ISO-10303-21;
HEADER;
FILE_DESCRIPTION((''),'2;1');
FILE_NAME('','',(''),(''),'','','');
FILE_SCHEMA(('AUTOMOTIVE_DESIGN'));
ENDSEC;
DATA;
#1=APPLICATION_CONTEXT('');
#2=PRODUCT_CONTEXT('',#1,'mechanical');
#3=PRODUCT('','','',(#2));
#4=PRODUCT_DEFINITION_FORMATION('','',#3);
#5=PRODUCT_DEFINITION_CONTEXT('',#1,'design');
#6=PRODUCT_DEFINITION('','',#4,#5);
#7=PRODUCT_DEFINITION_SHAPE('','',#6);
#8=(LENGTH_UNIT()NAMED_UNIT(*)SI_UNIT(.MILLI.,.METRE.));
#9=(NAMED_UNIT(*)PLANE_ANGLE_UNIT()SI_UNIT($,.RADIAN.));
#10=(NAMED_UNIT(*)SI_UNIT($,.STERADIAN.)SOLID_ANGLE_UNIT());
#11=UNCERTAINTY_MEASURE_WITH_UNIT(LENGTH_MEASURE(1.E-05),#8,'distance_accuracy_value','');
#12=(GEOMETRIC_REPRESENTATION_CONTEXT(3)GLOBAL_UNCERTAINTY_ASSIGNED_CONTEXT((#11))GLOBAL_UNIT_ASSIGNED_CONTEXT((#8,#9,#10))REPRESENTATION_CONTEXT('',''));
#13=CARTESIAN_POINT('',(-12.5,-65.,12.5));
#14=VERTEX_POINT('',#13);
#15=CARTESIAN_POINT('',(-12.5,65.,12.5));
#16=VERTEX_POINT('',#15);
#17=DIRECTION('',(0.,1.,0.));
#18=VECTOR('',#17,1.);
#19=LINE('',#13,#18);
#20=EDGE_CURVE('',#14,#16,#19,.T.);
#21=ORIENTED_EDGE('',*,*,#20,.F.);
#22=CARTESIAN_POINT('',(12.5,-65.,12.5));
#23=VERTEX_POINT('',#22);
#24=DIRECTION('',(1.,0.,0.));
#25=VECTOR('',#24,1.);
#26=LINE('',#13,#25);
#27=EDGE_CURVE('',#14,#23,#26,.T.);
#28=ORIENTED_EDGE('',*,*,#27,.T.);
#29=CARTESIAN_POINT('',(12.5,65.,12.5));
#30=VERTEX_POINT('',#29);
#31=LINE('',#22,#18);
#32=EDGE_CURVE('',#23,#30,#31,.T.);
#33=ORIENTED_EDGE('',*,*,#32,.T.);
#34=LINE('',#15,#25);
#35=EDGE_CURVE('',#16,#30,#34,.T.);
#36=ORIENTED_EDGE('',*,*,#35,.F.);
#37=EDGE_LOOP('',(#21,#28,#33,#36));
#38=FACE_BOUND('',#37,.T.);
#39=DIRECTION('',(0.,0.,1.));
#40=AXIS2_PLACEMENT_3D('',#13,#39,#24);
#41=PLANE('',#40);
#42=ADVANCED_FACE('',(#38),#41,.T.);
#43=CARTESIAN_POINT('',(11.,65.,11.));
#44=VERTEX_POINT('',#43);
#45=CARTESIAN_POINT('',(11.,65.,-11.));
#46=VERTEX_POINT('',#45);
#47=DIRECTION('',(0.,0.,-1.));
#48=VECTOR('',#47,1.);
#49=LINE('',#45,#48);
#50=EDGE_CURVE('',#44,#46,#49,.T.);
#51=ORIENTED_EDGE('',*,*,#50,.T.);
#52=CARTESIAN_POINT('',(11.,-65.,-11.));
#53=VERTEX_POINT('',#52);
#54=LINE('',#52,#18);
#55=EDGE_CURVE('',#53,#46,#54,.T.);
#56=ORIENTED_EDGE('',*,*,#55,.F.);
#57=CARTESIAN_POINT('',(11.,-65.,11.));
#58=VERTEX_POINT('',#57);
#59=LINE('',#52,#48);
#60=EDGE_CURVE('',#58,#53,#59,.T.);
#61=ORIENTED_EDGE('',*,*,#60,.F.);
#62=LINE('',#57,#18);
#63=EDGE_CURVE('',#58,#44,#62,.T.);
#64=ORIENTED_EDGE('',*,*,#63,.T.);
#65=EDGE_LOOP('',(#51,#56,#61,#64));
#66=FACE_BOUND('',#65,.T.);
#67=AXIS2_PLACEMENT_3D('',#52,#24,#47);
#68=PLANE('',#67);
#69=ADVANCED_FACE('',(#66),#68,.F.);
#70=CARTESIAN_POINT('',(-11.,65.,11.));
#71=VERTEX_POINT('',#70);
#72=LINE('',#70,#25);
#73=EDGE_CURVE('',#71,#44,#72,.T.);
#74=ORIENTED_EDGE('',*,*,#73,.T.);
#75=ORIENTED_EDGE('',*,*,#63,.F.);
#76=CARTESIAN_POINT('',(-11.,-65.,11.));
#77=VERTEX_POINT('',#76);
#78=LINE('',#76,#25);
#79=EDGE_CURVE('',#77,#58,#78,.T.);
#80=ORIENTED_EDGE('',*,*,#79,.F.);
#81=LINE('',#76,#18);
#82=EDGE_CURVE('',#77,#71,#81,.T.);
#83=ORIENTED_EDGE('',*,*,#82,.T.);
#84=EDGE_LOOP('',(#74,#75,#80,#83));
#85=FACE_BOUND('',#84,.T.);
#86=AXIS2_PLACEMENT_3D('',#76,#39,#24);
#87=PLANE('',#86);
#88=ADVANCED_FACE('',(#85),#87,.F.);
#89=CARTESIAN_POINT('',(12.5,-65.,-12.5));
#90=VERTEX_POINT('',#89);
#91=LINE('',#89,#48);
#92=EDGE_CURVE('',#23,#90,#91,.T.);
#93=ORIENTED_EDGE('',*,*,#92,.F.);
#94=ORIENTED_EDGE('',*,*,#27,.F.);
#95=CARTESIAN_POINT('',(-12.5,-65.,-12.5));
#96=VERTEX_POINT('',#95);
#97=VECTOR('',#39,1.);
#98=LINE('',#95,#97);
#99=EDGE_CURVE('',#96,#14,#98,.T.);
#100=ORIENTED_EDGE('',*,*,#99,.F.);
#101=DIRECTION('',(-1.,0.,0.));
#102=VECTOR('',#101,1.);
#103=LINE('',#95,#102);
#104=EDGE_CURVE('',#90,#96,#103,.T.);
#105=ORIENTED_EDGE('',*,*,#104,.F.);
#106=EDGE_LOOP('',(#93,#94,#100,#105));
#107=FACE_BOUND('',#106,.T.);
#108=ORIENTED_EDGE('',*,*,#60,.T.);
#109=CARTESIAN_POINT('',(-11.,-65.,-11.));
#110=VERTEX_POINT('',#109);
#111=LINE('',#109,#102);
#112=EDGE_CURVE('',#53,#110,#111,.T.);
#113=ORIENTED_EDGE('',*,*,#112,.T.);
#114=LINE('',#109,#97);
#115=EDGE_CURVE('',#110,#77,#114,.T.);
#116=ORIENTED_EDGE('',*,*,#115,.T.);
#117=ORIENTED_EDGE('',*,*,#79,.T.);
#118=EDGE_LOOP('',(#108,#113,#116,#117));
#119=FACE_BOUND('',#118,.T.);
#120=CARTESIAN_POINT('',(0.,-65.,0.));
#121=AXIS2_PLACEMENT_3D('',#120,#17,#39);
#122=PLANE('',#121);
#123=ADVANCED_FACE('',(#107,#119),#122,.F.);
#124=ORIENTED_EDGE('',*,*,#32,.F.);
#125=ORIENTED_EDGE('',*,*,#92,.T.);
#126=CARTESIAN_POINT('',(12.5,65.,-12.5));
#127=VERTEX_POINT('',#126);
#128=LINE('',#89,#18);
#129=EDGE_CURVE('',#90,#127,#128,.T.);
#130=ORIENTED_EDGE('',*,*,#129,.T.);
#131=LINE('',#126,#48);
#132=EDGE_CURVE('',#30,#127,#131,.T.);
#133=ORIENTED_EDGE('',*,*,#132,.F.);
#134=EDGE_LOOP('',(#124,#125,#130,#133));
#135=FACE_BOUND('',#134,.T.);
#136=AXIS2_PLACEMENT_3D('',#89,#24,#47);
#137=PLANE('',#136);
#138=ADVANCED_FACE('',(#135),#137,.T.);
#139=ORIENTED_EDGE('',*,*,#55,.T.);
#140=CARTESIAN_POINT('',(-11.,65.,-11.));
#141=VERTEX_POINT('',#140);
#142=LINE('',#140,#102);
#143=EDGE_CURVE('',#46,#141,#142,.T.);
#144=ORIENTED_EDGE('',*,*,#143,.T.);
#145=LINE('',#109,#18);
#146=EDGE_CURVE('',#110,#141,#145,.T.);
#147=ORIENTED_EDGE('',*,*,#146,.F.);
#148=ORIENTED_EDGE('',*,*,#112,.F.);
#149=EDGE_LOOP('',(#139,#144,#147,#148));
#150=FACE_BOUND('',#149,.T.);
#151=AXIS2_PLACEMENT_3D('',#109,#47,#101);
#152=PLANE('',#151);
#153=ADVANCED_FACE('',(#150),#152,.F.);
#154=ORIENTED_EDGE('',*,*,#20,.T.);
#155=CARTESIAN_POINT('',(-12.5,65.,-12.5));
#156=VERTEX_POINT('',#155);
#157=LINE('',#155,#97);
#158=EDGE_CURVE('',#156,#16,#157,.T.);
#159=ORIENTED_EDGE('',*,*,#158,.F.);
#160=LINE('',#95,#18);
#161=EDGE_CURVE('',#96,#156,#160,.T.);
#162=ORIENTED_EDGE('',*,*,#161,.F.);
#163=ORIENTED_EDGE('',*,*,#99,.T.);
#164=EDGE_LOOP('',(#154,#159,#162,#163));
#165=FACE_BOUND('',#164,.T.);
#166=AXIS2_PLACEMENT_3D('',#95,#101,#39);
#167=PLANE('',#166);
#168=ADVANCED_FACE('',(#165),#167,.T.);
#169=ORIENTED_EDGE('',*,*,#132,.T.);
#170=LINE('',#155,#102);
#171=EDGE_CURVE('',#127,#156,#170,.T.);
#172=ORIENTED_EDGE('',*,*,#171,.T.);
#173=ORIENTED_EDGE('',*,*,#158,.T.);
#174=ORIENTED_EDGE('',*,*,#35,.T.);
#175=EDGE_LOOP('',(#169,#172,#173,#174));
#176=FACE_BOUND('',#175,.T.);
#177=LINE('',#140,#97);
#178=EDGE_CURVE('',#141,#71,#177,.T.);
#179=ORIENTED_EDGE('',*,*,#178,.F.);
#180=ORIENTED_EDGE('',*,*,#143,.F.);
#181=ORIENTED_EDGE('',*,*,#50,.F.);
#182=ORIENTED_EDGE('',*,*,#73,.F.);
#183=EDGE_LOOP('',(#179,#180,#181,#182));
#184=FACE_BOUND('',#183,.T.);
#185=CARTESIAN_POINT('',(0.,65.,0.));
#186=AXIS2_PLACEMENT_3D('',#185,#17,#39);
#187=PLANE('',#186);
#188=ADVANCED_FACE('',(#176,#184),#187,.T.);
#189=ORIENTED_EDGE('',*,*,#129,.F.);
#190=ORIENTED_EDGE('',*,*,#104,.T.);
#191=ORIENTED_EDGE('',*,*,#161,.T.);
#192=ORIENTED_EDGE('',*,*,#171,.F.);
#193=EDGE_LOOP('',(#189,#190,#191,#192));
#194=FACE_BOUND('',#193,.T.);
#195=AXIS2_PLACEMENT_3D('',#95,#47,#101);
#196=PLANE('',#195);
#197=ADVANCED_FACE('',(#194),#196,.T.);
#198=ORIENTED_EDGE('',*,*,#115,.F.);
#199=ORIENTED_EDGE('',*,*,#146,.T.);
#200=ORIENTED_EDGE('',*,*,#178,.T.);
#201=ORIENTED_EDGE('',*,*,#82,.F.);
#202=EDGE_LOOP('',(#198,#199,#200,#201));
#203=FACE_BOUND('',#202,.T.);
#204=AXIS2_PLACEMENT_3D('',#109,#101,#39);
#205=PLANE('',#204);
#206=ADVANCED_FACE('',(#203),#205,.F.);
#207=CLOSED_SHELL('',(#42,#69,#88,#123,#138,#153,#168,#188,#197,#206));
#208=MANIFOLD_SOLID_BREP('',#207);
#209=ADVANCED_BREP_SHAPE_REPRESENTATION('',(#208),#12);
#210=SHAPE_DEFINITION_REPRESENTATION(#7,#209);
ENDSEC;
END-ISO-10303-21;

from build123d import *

# Parameters (mm, degrees)
BOSS_EXTRUDE1_DEPTH      = 65
BOSS_EXTRUDE1_DEPTH_BACK = 65
SKETCH1_W                = 25
SKETCH1_H                = 25
SKETCH1_W_2              = 22
SKETCH1_H_2              = 22


with BuildPart() as part:
    # Sketch1 → Boss-Extrude1 (new, two sides: drawn at the far end of the back side and taken through both)
    with BuildSketch(Plane(origin=(0, 0, 0), x_dir=(1, 0, 0), z_dir=(0, 1, 0)).offset(-BOSS_EXTRUDE1_DEPTH_BACK)):
        Rectangle(SKETCH1_W, SKETCH1_H)
        Rectangle(SKETCH1_W_2, SKETCH1_H_2, mode=Mode.SUBTRACT)
    extrude(amount=BOSS_EXTRUDE1_DEPTH + BOSS_EXTRUDE1_DEPTH_BACK)


solid = part.part
